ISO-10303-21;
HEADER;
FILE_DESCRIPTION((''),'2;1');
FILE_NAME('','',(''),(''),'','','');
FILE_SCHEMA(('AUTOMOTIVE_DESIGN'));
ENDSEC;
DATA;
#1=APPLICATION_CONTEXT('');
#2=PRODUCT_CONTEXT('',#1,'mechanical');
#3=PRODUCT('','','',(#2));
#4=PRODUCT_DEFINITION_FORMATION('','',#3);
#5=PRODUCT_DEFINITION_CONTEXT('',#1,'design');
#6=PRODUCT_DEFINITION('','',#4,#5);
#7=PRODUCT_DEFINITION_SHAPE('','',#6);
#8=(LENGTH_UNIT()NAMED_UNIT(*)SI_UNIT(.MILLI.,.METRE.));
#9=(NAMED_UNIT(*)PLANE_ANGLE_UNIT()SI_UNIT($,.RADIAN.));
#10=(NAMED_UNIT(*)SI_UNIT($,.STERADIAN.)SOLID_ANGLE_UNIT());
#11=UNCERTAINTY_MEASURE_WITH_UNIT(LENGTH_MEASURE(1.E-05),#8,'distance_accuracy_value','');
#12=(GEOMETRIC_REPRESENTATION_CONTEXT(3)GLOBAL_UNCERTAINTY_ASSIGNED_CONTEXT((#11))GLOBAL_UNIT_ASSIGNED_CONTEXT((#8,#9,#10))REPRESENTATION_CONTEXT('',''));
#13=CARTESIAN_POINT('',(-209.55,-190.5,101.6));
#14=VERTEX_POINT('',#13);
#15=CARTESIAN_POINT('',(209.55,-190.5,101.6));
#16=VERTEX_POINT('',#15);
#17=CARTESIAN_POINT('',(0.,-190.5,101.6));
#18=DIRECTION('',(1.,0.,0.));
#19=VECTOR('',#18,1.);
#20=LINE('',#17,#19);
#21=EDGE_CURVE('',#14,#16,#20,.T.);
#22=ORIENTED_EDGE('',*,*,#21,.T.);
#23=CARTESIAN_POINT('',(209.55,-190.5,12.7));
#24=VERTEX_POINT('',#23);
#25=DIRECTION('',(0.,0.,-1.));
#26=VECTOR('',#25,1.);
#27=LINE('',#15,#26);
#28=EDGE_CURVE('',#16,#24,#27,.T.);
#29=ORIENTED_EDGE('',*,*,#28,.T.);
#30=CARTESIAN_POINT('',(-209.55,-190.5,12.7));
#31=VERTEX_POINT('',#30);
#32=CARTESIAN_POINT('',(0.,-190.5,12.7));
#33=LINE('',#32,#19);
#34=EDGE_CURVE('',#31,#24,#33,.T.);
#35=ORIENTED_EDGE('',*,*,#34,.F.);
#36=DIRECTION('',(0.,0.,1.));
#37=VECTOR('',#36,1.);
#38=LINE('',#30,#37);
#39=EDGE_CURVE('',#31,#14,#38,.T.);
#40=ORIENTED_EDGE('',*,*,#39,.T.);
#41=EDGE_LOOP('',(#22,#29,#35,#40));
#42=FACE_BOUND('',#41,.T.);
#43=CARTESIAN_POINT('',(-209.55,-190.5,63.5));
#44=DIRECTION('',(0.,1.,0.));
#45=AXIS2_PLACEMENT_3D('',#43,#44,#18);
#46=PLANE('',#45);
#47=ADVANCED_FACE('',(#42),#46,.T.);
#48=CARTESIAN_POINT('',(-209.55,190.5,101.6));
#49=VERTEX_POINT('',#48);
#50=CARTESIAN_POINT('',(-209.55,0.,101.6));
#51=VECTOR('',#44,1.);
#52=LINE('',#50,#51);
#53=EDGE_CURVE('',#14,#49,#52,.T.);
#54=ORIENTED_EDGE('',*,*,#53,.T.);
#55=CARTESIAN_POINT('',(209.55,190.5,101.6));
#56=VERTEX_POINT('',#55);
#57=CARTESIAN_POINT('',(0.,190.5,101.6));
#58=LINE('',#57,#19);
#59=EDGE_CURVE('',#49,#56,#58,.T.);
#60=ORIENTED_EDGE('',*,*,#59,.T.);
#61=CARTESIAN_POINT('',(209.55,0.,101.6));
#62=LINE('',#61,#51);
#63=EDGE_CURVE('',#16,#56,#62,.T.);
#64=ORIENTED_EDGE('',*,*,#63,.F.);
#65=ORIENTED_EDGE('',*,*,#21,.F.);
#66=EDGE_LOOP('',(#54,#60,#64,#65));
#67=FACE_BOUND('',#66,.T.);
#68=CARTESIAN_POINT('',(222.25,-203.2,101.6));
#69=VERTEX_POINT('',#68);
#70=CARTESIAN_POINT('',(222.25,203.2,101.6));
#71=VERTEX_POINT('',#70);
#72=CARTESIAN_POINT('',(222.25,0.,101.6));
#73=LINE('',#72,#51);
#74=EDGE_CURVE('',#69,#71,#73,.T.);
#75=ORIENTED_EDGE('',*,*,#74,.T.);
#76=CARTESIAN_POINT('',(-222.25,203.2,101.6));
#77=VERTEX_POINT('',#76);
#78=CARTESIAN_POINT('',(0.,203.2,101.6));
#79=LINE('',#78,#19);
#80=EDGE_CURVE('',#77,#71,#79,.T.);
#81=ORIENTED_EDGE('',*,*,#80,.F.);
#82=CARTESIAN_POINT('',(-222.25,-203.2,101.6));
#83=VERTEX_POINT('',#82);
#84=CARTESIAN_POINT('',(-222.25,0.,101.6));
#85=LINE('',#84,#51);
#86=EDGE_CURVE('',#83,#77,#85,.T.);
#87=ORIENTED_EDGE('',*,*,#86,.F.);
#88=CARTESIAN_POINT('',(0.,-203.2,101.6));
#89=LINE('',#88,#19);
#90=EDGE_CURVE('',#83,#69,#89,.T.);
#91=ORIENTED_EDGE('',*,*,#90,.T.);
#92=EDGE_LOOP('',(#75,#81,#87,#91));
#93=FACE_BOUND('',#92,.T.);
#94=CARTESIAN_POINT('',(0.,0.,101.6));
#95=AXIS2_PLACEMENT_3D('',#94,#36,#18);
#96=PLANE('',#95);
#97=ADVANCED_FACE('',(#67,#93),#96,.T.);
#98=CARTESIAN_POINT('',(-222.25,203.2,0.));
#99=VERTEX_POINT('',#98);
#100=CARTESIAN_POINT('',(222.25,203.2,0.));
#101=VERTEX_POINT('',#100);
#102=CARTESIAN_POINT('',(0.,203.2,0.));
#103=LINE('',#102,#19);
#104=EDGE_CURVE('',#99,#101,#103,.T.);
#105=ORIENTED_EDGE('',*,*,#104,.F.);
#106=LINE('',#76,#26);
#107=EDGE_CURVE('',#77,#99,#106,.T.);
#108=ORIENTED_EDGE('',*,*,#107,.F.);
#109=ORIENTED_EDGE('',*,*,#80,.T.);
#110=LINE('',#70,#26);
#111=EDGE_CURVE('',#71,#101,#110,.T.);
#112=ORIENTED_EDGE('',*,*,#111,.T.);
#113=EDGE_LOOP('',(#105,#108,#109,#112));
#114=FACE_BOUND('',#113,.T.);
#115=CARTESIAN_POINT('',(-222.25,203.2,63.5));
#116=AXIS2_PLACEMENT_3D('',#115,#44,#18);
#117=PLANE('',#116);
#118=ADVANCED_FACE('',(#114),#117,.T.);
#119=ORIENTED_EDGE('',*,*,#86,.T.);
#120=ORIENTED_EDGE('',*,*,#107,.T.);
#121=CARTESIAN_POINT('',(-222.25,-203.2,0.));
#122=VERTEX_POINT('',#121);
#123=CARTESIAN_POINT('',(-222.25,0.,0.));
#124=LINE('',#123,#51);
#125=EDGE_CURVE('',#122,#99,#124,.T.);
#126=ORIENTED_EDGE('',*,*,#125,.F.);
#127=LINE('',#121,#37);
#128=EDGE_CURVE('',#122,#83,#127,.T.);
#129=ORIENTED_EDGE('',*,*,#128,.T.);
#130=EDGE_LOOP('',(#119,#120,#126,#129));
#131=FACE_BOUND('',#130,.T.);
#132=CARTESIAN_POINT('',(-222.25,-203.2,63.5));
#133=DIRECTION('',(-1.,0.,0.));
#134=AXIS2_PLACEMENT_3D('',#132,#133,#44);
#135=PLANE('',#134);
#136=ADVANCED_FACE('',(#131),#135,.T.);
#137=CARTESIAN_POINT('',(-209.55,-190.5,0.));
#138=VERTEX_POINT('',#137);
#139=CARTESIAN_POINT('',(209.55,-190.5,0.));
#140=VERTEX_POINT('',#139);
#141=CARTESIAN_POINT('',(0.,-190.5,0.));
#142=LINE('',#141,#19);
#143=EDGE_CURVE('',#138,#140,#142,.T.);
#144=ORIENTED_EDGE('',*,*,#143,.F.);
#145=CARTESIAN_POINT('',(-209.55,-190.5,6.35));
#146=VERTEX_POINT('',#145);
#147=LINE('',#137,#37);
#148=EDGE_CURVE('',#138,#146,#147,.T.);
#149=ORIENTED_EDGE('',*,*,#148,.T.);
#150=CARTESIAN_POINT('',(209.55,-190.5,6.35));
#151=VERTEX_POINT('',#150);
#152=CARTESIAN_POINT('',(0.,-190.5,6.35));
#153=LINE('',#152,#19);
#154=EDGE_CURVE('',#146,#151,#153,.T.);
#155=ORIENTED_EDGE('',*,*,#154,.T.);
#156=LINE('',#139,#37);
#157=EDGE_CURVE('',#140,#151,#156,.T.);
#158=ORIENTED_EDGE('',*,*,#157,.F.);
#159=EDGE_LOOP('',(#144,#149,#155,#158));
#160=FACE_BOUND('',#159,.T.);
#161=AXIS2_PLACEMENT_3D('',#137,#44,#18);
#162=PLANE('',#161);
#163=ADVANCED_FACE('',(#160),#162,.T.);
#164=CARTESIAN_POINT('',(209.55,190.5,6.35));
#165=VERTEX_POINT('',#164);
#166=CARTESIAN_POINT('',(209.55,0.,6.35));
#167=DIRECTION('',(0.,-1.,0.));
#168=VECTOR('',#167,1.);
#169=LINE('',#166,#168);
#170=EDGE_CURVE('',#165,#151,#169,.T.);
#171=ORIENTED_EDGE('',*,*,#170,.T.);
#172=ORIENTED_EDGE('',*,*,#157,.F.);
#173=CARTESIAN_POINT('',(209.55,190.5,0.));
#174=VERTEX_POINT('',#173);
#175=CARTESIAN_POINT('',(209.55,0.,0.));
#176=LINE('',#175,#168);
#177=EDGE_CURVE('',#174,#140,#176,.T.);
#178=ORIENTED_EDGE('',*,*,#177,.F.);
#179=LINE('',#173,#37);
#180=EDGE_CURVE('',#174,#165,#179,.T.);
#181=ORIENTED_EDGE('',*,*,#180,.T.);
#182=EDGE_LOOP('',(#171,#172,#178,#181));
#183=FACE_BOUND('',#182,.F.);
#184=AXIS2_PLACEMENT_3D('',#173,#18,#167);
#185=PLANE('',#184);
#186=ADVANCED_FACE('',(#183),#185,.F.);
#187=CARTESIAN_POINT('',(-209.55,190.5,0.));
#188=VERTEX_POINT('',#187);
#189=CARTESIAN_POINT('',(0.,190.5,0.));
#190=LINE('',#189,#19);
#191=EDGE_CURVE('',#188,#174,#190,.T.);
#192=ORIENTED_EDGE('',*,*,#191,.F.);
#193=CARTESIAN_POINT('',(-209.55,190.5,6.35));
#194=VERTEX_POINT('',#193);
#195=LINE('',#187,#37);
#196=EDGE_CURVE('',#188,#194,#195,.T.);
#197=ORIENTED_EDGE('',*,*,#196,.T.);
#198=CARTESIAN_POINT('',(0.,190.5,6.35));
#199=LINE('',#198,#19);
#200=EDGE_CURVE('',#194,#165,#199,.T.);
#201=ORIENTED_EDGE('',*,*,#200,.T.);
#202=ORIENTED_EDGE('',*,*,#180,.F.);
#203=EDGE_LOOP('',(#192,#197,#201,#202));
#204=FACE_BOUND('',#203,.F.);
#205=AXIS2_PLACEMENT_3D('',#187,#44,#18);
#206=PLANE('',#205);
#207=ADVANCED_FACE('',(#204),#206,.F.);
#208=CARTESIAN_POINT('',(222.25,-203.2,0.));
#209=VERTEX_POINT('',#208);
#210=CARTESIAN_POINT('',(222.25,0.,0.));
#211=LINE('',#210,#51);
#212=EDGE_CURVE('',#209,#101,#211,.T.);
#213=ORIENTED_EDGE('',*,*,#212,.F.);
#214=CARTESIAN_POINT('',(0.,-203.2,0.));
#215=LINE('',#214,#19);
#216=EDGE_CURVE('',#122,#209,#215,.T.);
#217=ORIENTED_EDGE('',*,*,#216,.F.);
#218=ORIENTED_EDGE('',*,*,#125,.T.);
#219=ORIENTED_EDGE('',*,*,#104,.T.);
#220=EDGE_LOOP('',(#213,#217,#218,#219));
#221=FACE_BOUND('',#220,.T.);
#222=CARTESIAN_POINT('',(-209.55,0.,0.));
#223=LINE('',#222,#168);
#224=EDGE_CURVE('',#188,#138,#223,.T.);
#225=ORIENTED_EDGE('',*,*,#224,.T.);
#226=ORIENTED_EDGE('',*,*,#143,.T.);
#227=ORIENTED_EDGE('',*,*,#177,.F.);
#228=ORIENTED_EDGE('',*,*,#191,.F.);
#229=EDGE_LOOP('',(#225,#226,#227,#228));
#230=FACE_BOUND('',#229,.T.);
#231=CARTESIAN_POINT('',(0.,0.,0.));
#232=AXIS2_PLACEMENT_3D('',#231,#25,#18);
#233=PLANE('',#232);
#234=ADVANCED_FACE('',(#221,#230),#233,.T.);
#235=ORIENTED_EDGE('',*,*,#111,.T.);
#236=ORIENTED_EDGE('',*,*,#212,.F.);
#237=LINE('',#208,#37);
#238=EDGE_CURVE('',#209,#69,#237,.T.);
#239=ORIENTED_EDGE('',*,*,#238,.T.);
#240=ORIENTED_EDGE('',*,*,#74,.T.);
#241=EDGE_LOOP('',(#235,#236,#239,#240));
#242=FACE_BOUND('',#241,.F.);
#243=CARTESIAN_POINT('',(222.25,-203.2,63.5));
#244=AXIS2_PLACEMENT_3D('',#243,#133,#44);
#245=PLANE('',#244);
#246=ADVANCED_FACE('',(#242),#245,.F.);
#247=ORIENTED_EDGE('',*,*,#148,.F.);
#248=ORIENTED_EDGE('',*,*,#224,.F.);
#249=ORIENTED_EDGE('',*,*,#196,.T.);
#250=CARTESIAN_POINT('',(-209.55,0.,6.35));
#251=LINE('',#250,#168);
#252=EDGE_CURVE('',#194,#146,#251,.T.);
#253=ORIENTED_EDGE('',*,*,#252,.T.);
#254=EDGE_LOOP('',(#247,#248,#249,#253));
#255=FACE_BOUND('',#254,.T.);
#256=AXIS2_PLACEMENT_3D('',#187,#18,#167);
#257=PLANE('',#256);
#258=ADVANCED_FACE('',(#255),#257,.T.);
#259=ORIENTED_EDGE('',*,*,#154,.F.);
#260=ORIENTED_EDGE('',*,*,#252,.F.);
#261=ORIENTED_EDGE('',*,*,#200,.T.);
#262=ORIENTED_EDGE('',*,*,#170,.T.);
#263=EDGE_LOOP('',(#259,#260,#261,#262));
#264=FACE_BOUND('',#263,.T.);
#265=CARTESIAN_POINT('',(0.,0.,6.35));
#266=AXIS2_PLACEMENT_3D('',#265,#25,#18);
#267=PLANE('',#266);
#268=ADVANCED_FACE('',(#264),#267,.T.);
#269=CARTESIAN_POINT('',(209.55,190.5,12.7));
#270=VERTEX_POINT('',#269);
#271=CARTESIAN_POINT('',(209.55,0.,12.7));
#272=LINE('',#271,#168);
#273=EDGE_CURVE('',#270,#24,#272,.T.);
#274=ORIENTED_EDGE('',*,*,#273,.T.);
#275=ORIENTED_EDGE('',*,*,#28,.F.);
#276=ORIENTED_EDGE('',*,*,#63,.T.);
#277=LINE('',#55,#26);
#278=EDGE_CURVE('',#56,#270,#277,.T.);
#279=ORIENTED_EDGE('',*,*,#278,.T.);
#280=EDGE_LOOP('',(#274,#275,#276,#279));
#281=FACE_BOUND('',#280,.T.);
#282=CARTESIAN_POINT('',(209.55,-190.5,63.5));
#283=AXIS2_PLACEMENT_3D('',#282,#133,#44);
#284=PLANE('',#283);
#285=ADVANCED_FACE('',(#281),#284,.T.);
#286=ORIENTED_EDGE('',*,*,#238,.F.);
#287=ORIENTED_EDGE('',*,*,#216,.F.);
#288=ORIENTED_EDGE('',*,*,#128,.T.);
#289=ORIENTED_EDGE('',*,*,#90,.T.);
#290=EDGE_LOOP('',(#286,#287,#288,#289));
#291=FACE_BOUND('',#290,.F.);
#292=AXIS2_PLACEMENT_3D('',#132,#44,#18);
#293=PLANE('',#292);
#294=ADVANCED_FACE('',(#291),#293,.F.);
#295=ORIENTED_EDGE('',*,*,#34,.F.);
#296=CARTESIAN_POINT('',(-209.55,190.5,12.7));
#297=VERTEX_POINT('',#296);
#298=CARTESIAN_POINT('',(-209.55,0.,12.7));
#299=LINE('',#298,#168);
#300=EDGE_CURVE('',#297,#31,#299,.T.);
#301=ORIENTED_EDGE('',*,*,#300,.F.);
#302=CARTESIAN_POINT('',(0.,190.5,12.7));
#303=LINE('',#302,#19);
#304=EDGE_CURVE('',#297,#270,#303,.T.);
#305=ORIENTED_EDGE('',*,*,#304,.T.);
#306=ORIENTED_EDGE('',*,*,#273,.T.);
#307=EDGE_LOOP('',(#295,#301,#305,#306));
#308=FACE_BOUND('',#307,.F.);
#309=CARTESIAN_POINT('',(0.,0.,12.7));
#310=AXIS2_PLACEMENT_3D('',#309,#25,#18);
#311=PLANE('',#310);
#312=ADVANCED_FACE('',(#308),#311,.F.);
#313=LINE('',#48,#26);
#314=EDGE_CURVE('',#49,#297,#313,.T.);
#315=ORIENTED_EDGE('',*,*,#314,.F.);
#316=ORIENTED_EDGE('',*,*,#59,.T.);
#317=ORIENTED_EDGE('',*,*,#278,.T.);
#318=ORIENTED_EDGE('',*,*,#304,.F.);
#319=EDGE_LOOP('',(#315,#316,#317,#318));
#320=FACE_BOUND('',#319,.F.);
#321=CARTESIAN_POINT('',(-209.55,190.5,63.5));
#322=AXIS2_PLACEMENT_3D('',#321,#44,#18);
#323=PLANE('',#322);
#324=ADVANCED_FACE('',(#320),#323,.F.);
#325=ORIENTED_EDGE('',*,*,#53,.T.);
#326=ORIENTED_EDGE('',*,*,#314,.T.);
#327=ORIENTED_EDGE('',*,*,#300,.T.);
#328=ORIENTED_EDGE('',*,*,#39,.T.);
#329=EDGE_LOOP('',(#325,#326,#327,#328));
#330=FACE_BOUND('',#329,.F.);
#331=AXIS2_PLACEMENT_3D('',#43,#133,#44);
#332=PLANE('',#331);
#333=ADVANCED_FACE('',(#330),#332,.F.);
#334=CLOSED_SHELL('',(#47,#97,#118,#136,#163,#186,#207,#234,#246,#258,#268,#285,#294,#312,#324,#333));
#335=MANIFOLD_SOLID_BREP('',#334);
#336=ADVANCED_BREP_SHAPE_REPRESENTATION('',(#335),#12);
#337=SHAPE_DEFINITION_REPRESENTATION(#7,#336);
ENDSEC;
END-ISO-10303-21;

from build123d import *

# Parameters (mm, degrees)
F0_W     = 444.5
F0_H     = 406.4
F0_W_2   = 419.1
F0_H_2   = 381
F1_DEPTH = 63.5
F2_W     = 419.1
F2_H     = 381
F3_DEPTH = 12.7
F4_W     = 419.1
F4_H     = 381
F5_DEPTH = 6.35
F6_DEPTH = 38.1


with BuildPart() as f1:
    # F0 (on Top) → F1 (new body)
    with BuildSketch(Plane.XY):
        Rectangle(F0_W, F0_H)
        Rectangle(F0_W_2, F0_H_2, mode=Mode.SUBTRACT)
    extrude(amount=F1_DEPTH)

    # F2 (on face) → F3 (join)
    with BuildSketch(Plane(origin=(0, 0, 0), x_dir=(1, 0, 0), z_dir=(0, 0, -1))):
        Rectangle(F2_W, F2_H)
    extrude(amount=-F3_DEPTH)

    # F4 (on face) → F5 (cut)
    with BuildSketch(Plane(origin=(0, 0, 0), x_dir=(1, 0, 0), z_dir=(0, 0, -1))):
        Rectangle(F4_W, F4_H)
    extrude(amount=-F5_DEPTH, mode=Mode.SUBTRACT)

    # F6 (add): a face of the model
    f6_faces = [f1.faces().sort_by_distance(p)[0] for p in [
        (216.2271999037, 0, 63.5),
    ]]
    extrude(f6_faces, amount=F6_DEPTH)


solid = f1.part
